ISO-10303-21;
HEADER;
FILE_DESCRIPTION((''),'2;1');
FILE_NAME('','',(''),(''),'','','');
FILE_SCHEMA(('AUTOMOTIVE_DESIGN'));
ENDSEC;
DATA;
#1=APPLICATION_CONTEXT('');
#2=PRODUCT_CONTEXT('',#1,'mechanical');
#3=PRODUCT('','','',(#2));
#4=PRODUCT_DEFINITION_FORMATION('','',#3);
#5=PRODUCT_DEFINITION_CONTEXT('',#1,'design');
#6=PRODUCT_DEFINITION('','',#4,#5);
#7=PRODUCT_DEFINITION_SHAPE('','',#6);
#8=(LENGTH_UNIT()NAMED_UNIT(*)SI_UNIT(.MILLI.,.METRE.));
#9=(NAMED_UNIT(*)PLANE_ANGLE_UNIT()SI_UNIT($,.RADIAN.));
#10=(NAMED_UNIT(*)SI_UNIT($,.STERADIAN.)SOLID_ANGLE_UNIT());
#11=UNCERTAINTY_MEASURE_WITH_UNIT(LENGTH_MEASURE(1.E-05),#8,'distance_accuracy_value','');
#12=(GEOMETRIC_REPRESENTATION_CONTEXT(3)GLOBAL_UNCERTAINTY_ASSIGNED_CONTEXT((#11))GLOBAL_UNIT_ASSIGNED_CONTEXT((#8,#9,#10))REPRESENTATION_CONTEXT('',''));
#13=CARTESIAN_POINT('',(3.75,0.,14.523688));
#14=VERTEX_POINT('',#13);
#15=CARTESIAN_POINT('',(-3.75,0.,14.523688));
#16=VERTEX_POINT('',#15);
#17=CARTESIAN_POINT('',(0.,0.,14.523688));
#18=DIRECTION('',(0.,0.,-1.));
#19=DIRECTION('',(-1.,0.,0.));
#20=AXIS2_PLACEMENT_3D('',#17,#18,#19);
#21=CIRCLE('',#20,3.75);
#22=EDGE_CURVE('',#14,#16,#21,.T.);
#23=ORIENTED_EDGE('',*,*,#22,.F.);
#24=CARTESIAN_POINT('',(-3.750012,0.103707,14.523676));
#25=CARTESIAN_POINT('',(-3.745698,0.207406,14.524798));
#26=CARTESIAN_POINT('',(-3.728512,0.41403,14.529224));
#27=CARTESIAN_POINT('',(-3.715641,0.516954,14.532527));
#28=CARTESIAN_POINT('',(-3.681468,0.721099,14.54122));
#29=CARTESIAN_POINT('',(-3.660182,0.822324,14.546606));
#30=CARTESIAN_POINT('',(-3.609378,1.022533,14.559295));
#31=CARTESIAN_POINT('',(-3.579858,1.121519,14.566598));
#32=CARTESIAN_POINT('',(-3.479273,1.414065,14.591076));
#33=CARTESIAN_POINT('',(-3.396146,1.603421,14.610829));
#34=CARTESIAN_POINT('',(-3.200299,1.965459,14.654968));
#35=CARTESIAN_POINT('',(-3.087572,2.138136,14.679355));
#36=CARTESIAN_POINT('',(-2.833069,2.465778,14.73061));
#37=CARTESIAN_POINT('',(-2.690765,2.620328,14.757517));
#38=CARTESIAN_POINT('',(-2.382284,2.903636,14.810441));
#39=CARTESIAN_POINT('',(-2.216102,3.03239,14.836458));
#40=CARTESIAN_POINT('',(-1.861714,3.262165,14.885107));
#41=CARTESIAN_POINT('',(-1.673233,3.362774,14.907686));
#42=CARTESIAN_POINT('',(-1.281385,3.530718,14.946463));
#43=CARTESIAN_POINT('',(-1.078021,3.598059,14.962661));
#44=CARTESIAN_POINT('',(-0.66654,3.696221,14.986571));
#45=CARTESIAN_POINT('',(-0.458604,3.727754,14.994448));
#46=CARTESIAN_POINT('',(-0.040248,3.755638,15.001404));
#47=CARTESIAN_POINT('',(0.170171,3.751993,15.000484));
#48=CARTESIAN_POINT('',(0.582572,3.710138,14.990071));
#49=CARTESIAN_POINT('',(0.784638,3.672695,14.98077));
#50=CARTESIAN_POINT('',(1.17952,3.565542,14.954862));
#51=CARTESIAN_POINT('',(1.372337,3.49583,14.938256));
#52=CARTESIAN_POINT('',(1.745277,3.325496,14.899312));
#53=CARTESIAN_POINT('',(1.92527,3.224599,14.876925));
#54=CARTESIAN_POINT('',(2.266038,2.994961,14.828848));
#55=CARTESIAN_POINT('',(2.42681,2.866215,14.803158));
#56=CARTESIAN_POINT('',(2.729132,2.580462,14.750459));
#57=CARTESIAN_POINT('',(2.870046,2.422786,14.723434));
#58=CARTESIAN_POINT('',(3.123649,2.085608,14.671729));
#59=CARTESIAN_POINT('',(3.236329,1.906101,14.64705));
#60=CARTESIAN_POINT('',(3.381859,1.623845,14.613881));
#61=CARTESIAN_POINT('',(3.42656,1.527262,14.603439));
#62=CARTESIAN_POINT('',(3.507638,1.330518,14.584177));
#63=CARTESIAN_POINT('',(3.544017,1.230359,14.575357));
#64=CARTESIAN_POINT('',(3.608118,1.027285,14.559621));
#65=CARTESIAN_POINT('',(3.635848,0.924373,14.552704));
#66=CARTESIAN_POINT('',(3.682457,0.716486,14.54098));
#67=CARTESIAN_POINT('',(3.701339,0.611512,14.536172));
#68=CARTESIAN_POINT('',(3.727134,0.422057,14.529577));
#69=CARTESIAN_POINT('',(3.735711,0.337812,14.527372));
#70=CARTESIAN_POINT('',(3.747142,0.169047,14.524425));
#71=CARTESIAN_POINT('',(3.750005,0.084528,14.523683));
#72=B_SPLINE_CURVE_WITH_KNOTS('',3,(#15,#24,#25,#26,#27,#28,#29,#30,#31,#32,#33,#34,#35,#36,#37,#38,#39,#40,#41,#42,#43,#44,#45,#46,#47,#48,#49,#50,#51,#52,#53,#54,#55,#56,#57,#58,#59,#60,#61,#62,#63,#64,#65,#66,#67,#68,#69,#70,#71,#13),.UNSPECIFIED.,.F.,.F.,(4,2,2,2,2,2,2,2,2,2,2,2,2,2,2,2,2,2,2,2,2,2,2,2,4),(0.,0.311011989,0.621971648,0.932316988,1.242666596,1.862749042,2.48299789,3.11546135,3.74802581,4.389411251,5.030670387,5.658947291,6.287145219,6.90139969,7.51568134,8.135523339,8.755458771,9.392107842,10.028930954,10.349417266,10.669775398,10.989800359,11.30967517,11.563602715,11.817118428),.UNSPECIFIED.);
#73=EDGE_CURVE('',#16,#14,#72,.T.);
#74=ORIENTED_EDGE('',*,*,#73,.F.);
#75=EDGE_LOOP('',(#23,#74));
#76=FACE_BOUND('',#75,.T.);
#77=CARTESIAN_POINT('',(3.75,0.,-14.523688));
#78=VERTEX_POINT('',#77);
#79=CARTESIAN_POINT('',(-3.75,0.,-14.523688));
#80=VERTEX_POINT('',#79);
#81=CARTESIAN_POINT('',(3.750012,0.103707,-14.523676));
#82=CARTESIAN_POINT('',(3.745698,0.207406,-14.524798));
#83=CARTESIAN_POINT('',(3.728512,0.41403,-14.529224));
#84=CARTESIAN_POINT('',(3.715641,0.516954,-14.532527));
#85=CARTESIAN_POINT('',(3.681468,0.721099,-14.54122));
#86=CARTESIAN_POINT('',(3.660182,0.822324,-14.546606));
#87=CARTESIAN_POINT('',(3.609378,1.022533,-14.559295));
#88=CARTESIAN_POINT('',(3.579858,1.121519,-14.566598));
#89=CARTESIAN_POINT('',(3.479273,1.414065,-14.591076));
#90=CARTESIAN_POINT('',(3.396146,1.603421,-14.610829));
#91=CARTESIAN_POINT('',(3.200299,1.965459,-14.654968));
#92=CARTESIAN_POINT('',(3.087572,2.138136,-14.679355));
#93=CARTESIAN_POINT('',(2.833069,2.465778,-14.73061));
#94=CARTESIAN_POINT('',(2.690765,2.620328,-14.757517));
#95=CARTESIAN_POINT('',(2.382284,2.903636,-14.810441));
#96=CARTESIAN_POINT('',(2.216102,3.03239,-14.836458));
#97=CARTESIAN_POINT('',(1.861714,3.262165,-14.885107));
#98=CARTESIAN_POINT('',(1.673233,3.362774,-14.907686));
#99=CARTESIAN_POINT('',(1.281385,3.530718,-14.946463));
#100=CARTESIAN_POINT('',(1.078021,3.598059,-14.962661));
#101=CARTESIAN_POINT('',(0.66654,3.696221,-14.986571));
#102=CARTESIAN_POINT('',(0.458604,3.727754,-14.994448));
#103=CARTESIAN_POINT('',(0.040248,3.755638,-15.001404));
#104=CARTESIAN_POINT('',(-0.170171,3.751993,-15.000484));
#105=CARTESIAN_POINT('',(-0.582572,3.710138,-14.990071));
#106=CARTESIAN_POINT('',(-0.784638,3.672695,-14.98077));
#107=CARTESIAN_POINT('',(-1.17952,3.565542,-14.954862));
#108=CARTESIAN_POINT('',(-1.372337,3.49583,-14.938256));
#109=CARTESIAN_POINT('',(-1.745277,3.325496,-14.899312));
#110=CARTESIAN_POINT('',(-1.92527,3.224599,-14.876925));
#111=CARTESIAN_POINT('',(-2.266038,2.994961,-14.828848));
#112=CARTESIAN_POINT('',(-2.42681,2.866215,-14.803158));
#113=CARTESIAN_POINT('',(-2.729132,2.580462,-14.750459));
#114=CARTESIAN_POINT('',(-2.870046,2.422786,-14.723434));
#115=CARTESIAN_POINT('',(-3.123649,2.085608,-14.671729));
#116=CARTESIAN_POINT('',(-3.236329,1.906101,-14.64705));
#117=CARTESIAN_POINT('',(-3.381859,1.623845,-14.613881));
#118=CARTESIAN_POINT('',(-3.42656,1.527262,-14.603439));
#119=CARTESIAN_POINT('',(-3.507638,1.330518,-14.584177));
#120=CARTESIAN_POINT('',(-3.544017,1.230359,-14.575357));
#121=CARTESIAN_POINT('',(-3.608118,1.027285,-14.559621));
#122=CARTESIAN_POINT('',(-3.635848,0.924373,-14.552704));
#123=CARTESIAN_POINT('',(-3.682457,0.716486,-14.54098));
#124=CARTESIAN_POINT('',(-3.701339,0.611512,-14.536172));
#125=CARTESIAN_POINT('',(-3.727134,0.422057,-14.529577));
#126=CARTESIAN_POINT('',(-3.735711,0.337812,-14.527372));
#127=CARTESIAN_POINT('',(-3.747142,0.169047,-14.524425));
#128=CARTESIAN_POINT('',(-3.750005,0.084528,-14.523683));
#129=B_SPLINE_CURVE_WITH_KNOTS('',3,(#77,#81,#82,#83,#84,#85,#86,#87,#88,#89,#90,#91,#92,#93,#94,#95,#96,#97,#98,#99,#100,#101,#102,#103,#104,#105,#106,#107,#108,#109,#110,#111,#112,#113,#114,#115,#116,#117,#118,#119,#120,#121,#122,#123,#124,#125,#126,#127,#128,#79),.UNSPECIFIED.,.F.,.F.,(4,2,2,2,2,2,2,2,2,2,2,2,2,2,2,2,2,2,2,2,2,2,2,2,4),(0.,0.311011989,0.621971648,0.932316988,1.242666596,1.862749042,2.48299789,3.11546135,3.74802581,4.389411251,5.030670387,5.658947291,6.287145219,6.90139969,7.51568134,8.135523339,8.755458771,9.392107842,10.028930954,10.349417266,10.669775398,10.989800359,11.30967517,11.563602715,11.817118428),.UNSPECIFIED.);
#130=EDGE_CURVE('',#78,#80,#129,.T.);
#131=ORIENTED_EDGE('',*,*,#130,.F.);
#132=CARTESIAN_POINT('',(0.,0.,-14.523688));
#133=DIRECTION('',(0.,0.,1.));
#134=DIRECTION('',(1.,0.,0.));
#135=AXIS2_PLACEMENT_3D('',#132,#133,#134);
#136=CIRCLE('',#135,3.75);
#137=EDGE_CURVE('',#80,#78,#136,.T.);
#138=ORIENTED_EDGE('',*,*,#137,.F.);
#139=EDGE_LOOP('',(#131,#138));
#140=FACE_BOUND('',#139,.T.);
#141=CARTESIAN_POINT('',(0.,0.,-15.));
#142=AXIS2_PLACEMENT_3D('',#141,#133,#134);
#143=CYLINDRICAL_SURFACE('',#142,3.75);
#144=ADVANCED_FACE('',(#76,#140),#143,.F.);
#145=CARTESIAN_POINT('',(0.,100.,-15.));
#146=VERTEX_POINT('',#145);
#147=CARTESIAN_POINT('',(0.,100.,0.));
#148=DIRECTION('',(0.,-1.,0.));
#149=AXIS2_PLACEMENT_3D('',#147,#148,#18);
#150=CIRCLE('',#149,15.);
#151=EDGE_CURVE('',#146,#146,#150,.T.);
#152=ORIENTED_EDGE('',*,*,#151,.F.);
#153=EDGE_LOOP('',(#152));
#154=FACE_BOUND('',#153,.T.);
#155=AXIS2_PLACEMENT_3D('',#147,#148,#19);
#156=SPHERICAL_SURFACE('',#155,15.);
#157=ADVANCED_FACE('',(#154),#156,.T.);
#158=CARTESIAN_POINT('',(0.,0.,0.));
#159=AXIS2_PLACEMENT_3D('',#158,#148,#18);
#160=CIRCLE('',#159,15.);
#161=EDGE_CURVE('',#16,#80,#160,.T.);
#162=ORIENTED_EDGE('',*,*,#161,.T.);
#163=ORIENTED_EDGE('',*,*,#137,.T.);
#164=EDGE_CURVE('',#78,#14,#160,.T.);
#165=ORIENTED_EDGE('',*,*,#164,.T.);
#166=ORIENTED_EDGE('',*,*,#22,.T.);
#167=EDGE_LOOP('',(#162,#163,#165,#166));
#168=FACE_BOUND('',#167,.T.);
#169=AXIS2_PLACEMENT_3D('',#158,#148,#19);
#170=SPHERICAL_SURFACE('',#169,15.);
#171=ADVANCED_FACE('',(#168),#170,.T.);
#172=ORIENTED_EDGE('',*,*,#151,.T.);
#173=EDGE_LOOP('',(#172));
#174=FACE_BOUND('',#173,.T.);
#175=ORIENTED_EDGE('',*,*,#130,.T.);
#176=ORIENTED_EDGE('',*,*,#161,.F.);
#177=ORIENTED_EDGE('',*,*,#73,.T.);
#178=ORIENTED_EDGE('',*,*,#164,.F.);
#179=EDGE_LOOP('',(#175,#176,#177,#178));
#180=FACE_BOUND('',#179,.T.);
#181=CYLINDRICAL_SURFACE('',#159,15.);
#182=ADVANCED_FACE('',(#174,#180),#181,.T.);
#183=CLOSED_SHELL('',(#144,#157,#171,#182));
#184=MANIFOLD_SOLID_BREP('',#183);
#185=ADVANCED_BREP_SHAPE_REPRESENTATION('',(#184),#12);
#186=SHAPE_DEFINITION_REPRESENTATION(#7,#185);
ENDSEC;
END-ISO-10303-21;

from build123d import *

# Parameters (mm, degrees)
SKETCH1_W               = 15
SKETCH1_H               = 100
CUT_EXTRUDE1_DEPTH      = 117.940155635
CUT_EXTRUDE1_DEPTH_BACK = 117.940155635
SKETCH2_R               = 3.75


with BuildPart() as part:
    # Sketch1 → Revolve1 (revolve)
    with BuildSketch(Plane.XY):
        with Locations((-7.5, 50)):
            Rectangle(SKETCH1_W, SKETCH1_H)
        with BuildLine():
            Line((-15, 100), (0, 100))
            Line((0, 100), (0, 115))
            ThreePointArc((0, 115), (-10.606601718, 110.606601718), (-15, 100))
        make_face()
        with BuildLine():
            Line((-15, 0), (0, 0))
            Line((0, 0), (0, -15))
            ThreePointArc((0, -15), (-10.606601718, -10.606601718), (-15, 0))
        make_face()
    revolve(axis=Axis((0, 0, 0), (0, 1, 0)))

    # Sketch2 → Cut-Extrude1 (cut, two sides: drawn at the far end of the back side and taken through both)
    with BuildSketch(Plane.XY.offset(-CUT_EXTRUDE1_DEPTH_BACK)):
        Circle(SKETCH2_R)
    extrude(amount=CUT_EXTRUDE1_DEPTH + CUT_EXTRUDE1_DEPTH_BACK, mode=Mode.SUBTRACT)


solid = part.part
